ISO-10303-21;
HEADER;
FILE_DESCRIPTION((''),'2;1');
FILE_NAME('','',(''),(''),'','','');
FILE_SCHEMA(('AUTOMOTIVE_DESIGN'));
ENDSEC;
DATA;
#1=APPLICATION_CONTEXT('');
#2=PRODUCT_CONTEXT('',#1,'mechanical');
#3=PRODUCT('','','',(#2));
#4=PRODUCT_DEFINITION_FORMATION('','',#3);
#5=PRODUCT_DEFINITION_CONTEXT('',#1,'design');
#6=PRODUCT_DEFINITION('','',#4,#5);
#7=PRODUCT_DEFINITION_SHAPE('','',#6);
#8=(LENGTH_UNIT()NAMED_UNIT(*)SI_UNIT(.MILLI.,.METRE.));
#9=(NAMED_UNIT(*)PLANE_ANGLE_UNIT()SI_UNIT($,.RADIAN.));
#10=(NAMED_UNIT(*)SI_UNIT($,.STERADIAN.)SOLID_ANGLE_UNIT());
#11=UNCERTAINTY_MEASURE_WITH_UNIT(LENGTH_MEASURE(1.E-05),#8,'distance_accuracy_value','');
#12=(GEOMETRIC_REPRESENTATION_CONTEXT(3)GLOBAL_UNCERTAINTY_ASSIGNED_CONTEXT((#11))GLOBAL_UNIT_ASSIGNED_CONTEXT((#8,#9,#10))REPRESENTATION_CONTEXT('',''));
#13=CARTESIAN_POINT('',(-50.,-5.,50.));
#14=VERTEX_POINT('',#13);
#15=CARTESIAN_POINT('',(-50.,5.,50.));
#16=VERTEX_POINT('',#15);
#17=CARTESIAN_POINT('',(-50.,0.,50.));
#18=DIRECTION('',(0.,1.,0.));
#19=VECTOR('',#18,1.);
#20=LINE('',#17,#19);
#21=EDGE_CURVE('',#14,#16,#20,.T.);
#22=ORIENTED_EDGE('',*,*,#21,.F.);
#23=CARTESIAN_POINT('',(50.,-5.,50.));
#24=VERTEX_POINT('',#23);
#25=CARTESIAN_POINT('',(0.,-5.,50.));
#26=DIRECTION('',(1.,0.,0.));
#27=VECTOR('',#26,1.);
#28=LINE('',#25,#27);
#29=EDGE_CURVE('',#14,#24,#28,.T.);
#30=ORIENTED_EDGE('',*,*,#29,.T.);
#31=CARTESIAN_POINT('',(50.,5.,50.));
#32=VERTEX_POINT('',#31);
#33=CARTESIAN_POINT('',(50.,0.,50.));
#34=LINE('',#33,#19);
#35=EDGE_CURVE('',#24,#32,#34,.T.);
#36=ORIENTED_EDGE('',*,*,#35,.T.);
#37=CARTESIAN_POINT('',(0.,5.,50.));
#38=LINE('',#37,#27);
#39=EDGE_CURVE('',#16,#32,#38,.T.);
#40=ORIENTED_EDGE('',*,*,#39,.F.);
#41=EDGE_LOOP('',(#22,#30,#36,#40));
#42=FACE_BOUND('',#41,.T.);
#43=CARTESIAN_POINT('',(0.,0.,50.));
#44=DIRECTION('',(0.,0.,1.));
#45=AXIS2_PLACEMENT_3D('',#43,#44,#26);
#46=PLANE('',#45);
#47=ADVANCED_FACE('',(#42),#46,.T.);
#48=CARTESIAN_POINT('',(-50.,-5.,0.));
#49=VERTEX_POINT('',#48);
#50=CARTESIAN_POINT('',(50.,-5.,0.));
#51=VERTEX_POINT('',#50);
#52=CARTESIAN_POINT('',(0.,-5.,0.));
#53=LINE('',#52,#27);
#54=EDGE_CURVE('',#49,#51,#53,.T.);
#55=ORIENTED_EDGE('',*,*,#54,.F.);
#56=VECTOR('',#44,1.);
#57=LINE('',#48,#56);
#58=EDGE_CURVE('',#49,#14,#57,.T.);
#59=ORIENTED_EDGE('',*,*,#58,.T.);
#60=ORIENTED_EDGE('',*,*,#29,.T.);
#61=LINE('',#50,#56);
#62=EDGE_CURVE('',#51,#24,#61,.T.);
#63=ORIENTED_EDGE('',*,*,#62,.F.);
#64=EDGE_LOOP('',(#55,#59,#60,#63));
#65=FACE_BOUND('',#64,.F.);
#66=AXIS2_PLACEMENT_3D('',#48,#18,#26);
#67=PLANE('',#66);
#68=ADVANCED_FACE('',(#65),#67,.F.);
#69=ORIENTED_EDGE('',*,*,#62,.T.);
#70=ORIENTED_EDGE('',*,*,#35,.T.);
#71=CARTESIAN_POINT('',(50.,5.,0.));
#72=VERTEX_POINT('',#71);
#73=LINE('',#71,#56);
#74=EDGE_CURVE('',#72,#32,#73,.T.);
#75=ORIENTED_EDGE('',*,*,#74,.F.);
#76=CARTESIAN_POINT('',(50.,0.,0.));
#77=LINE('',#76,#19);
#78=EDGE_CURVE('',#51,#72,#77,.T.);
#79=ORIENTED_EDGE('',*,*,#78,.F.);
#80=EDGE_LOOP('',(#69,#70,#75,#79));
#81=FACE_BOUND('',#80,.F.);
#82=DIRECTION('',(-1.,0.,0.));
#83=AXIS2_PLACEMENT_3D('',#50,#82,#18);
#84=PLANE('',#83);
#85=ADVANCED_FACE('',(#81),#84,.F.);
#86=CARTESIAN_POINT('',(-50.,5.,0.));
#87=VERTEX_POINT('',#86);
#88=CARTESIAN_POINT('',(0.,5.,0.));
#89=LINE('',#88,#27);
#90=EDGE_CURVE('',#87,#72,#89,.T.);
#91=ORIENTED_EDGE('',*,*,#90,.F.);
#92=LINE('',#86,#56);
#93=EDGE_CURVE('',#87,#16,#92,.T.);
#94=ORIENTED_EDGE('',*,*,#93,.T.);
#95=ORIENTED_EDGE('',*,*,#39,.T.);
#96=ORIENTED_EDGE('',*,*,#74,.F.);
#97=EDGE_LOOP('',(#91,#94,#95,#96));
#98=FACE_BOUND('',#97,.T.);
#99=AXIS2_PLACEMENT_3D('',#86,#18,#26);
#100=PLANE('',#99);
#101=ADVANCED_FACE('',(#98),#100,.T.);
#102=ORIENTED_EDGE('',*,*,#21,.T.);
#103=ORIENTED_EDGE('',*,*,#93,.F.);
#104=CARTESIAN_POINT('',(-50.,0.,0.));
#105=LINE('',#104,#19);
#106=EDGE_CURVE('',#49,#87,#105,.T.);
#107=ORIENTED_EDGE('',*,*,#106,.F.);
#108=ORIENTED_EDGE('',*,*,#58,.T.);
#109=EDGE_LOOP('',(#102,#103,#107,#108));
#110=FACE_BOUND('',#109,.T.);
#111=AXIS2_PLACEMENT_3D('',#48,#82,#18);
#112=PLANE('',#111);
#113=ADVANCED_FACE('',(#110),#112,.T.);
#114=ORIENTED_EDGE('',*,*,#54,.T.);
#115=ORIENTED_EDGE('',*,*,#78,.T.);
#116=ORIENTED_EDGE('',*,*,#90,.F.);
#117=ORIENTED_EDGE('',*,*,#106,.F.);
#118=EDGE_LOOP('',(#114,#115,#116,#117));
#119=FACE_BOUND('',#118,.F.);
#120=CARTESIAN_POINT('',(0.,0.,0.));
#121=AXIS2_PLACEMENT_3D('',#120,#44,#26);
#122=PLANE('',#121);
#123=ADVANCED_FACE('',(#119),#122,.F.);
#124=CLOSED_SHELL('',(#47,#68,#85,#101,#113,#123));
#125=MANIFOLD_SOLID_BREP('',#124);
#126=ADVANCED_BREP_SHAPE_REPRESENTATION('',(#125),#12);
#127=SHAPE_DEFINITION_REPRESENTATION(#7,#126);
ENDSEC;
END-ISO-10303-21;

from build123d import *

# Parameters (mm, degrees)
SKETCH_W      = 100
SKETCH_H      = 10
EXTRUDE_DEPTH = 50


with BuildPart() as part:
    # Sketch → Extrude (new body)
    with BuildSketch(Plane.XY):
        Rectangle(SKETCH_W, SKETCH_H)
    extrude(amount=EXTRUDE_DEPTH)


solid = part.part
